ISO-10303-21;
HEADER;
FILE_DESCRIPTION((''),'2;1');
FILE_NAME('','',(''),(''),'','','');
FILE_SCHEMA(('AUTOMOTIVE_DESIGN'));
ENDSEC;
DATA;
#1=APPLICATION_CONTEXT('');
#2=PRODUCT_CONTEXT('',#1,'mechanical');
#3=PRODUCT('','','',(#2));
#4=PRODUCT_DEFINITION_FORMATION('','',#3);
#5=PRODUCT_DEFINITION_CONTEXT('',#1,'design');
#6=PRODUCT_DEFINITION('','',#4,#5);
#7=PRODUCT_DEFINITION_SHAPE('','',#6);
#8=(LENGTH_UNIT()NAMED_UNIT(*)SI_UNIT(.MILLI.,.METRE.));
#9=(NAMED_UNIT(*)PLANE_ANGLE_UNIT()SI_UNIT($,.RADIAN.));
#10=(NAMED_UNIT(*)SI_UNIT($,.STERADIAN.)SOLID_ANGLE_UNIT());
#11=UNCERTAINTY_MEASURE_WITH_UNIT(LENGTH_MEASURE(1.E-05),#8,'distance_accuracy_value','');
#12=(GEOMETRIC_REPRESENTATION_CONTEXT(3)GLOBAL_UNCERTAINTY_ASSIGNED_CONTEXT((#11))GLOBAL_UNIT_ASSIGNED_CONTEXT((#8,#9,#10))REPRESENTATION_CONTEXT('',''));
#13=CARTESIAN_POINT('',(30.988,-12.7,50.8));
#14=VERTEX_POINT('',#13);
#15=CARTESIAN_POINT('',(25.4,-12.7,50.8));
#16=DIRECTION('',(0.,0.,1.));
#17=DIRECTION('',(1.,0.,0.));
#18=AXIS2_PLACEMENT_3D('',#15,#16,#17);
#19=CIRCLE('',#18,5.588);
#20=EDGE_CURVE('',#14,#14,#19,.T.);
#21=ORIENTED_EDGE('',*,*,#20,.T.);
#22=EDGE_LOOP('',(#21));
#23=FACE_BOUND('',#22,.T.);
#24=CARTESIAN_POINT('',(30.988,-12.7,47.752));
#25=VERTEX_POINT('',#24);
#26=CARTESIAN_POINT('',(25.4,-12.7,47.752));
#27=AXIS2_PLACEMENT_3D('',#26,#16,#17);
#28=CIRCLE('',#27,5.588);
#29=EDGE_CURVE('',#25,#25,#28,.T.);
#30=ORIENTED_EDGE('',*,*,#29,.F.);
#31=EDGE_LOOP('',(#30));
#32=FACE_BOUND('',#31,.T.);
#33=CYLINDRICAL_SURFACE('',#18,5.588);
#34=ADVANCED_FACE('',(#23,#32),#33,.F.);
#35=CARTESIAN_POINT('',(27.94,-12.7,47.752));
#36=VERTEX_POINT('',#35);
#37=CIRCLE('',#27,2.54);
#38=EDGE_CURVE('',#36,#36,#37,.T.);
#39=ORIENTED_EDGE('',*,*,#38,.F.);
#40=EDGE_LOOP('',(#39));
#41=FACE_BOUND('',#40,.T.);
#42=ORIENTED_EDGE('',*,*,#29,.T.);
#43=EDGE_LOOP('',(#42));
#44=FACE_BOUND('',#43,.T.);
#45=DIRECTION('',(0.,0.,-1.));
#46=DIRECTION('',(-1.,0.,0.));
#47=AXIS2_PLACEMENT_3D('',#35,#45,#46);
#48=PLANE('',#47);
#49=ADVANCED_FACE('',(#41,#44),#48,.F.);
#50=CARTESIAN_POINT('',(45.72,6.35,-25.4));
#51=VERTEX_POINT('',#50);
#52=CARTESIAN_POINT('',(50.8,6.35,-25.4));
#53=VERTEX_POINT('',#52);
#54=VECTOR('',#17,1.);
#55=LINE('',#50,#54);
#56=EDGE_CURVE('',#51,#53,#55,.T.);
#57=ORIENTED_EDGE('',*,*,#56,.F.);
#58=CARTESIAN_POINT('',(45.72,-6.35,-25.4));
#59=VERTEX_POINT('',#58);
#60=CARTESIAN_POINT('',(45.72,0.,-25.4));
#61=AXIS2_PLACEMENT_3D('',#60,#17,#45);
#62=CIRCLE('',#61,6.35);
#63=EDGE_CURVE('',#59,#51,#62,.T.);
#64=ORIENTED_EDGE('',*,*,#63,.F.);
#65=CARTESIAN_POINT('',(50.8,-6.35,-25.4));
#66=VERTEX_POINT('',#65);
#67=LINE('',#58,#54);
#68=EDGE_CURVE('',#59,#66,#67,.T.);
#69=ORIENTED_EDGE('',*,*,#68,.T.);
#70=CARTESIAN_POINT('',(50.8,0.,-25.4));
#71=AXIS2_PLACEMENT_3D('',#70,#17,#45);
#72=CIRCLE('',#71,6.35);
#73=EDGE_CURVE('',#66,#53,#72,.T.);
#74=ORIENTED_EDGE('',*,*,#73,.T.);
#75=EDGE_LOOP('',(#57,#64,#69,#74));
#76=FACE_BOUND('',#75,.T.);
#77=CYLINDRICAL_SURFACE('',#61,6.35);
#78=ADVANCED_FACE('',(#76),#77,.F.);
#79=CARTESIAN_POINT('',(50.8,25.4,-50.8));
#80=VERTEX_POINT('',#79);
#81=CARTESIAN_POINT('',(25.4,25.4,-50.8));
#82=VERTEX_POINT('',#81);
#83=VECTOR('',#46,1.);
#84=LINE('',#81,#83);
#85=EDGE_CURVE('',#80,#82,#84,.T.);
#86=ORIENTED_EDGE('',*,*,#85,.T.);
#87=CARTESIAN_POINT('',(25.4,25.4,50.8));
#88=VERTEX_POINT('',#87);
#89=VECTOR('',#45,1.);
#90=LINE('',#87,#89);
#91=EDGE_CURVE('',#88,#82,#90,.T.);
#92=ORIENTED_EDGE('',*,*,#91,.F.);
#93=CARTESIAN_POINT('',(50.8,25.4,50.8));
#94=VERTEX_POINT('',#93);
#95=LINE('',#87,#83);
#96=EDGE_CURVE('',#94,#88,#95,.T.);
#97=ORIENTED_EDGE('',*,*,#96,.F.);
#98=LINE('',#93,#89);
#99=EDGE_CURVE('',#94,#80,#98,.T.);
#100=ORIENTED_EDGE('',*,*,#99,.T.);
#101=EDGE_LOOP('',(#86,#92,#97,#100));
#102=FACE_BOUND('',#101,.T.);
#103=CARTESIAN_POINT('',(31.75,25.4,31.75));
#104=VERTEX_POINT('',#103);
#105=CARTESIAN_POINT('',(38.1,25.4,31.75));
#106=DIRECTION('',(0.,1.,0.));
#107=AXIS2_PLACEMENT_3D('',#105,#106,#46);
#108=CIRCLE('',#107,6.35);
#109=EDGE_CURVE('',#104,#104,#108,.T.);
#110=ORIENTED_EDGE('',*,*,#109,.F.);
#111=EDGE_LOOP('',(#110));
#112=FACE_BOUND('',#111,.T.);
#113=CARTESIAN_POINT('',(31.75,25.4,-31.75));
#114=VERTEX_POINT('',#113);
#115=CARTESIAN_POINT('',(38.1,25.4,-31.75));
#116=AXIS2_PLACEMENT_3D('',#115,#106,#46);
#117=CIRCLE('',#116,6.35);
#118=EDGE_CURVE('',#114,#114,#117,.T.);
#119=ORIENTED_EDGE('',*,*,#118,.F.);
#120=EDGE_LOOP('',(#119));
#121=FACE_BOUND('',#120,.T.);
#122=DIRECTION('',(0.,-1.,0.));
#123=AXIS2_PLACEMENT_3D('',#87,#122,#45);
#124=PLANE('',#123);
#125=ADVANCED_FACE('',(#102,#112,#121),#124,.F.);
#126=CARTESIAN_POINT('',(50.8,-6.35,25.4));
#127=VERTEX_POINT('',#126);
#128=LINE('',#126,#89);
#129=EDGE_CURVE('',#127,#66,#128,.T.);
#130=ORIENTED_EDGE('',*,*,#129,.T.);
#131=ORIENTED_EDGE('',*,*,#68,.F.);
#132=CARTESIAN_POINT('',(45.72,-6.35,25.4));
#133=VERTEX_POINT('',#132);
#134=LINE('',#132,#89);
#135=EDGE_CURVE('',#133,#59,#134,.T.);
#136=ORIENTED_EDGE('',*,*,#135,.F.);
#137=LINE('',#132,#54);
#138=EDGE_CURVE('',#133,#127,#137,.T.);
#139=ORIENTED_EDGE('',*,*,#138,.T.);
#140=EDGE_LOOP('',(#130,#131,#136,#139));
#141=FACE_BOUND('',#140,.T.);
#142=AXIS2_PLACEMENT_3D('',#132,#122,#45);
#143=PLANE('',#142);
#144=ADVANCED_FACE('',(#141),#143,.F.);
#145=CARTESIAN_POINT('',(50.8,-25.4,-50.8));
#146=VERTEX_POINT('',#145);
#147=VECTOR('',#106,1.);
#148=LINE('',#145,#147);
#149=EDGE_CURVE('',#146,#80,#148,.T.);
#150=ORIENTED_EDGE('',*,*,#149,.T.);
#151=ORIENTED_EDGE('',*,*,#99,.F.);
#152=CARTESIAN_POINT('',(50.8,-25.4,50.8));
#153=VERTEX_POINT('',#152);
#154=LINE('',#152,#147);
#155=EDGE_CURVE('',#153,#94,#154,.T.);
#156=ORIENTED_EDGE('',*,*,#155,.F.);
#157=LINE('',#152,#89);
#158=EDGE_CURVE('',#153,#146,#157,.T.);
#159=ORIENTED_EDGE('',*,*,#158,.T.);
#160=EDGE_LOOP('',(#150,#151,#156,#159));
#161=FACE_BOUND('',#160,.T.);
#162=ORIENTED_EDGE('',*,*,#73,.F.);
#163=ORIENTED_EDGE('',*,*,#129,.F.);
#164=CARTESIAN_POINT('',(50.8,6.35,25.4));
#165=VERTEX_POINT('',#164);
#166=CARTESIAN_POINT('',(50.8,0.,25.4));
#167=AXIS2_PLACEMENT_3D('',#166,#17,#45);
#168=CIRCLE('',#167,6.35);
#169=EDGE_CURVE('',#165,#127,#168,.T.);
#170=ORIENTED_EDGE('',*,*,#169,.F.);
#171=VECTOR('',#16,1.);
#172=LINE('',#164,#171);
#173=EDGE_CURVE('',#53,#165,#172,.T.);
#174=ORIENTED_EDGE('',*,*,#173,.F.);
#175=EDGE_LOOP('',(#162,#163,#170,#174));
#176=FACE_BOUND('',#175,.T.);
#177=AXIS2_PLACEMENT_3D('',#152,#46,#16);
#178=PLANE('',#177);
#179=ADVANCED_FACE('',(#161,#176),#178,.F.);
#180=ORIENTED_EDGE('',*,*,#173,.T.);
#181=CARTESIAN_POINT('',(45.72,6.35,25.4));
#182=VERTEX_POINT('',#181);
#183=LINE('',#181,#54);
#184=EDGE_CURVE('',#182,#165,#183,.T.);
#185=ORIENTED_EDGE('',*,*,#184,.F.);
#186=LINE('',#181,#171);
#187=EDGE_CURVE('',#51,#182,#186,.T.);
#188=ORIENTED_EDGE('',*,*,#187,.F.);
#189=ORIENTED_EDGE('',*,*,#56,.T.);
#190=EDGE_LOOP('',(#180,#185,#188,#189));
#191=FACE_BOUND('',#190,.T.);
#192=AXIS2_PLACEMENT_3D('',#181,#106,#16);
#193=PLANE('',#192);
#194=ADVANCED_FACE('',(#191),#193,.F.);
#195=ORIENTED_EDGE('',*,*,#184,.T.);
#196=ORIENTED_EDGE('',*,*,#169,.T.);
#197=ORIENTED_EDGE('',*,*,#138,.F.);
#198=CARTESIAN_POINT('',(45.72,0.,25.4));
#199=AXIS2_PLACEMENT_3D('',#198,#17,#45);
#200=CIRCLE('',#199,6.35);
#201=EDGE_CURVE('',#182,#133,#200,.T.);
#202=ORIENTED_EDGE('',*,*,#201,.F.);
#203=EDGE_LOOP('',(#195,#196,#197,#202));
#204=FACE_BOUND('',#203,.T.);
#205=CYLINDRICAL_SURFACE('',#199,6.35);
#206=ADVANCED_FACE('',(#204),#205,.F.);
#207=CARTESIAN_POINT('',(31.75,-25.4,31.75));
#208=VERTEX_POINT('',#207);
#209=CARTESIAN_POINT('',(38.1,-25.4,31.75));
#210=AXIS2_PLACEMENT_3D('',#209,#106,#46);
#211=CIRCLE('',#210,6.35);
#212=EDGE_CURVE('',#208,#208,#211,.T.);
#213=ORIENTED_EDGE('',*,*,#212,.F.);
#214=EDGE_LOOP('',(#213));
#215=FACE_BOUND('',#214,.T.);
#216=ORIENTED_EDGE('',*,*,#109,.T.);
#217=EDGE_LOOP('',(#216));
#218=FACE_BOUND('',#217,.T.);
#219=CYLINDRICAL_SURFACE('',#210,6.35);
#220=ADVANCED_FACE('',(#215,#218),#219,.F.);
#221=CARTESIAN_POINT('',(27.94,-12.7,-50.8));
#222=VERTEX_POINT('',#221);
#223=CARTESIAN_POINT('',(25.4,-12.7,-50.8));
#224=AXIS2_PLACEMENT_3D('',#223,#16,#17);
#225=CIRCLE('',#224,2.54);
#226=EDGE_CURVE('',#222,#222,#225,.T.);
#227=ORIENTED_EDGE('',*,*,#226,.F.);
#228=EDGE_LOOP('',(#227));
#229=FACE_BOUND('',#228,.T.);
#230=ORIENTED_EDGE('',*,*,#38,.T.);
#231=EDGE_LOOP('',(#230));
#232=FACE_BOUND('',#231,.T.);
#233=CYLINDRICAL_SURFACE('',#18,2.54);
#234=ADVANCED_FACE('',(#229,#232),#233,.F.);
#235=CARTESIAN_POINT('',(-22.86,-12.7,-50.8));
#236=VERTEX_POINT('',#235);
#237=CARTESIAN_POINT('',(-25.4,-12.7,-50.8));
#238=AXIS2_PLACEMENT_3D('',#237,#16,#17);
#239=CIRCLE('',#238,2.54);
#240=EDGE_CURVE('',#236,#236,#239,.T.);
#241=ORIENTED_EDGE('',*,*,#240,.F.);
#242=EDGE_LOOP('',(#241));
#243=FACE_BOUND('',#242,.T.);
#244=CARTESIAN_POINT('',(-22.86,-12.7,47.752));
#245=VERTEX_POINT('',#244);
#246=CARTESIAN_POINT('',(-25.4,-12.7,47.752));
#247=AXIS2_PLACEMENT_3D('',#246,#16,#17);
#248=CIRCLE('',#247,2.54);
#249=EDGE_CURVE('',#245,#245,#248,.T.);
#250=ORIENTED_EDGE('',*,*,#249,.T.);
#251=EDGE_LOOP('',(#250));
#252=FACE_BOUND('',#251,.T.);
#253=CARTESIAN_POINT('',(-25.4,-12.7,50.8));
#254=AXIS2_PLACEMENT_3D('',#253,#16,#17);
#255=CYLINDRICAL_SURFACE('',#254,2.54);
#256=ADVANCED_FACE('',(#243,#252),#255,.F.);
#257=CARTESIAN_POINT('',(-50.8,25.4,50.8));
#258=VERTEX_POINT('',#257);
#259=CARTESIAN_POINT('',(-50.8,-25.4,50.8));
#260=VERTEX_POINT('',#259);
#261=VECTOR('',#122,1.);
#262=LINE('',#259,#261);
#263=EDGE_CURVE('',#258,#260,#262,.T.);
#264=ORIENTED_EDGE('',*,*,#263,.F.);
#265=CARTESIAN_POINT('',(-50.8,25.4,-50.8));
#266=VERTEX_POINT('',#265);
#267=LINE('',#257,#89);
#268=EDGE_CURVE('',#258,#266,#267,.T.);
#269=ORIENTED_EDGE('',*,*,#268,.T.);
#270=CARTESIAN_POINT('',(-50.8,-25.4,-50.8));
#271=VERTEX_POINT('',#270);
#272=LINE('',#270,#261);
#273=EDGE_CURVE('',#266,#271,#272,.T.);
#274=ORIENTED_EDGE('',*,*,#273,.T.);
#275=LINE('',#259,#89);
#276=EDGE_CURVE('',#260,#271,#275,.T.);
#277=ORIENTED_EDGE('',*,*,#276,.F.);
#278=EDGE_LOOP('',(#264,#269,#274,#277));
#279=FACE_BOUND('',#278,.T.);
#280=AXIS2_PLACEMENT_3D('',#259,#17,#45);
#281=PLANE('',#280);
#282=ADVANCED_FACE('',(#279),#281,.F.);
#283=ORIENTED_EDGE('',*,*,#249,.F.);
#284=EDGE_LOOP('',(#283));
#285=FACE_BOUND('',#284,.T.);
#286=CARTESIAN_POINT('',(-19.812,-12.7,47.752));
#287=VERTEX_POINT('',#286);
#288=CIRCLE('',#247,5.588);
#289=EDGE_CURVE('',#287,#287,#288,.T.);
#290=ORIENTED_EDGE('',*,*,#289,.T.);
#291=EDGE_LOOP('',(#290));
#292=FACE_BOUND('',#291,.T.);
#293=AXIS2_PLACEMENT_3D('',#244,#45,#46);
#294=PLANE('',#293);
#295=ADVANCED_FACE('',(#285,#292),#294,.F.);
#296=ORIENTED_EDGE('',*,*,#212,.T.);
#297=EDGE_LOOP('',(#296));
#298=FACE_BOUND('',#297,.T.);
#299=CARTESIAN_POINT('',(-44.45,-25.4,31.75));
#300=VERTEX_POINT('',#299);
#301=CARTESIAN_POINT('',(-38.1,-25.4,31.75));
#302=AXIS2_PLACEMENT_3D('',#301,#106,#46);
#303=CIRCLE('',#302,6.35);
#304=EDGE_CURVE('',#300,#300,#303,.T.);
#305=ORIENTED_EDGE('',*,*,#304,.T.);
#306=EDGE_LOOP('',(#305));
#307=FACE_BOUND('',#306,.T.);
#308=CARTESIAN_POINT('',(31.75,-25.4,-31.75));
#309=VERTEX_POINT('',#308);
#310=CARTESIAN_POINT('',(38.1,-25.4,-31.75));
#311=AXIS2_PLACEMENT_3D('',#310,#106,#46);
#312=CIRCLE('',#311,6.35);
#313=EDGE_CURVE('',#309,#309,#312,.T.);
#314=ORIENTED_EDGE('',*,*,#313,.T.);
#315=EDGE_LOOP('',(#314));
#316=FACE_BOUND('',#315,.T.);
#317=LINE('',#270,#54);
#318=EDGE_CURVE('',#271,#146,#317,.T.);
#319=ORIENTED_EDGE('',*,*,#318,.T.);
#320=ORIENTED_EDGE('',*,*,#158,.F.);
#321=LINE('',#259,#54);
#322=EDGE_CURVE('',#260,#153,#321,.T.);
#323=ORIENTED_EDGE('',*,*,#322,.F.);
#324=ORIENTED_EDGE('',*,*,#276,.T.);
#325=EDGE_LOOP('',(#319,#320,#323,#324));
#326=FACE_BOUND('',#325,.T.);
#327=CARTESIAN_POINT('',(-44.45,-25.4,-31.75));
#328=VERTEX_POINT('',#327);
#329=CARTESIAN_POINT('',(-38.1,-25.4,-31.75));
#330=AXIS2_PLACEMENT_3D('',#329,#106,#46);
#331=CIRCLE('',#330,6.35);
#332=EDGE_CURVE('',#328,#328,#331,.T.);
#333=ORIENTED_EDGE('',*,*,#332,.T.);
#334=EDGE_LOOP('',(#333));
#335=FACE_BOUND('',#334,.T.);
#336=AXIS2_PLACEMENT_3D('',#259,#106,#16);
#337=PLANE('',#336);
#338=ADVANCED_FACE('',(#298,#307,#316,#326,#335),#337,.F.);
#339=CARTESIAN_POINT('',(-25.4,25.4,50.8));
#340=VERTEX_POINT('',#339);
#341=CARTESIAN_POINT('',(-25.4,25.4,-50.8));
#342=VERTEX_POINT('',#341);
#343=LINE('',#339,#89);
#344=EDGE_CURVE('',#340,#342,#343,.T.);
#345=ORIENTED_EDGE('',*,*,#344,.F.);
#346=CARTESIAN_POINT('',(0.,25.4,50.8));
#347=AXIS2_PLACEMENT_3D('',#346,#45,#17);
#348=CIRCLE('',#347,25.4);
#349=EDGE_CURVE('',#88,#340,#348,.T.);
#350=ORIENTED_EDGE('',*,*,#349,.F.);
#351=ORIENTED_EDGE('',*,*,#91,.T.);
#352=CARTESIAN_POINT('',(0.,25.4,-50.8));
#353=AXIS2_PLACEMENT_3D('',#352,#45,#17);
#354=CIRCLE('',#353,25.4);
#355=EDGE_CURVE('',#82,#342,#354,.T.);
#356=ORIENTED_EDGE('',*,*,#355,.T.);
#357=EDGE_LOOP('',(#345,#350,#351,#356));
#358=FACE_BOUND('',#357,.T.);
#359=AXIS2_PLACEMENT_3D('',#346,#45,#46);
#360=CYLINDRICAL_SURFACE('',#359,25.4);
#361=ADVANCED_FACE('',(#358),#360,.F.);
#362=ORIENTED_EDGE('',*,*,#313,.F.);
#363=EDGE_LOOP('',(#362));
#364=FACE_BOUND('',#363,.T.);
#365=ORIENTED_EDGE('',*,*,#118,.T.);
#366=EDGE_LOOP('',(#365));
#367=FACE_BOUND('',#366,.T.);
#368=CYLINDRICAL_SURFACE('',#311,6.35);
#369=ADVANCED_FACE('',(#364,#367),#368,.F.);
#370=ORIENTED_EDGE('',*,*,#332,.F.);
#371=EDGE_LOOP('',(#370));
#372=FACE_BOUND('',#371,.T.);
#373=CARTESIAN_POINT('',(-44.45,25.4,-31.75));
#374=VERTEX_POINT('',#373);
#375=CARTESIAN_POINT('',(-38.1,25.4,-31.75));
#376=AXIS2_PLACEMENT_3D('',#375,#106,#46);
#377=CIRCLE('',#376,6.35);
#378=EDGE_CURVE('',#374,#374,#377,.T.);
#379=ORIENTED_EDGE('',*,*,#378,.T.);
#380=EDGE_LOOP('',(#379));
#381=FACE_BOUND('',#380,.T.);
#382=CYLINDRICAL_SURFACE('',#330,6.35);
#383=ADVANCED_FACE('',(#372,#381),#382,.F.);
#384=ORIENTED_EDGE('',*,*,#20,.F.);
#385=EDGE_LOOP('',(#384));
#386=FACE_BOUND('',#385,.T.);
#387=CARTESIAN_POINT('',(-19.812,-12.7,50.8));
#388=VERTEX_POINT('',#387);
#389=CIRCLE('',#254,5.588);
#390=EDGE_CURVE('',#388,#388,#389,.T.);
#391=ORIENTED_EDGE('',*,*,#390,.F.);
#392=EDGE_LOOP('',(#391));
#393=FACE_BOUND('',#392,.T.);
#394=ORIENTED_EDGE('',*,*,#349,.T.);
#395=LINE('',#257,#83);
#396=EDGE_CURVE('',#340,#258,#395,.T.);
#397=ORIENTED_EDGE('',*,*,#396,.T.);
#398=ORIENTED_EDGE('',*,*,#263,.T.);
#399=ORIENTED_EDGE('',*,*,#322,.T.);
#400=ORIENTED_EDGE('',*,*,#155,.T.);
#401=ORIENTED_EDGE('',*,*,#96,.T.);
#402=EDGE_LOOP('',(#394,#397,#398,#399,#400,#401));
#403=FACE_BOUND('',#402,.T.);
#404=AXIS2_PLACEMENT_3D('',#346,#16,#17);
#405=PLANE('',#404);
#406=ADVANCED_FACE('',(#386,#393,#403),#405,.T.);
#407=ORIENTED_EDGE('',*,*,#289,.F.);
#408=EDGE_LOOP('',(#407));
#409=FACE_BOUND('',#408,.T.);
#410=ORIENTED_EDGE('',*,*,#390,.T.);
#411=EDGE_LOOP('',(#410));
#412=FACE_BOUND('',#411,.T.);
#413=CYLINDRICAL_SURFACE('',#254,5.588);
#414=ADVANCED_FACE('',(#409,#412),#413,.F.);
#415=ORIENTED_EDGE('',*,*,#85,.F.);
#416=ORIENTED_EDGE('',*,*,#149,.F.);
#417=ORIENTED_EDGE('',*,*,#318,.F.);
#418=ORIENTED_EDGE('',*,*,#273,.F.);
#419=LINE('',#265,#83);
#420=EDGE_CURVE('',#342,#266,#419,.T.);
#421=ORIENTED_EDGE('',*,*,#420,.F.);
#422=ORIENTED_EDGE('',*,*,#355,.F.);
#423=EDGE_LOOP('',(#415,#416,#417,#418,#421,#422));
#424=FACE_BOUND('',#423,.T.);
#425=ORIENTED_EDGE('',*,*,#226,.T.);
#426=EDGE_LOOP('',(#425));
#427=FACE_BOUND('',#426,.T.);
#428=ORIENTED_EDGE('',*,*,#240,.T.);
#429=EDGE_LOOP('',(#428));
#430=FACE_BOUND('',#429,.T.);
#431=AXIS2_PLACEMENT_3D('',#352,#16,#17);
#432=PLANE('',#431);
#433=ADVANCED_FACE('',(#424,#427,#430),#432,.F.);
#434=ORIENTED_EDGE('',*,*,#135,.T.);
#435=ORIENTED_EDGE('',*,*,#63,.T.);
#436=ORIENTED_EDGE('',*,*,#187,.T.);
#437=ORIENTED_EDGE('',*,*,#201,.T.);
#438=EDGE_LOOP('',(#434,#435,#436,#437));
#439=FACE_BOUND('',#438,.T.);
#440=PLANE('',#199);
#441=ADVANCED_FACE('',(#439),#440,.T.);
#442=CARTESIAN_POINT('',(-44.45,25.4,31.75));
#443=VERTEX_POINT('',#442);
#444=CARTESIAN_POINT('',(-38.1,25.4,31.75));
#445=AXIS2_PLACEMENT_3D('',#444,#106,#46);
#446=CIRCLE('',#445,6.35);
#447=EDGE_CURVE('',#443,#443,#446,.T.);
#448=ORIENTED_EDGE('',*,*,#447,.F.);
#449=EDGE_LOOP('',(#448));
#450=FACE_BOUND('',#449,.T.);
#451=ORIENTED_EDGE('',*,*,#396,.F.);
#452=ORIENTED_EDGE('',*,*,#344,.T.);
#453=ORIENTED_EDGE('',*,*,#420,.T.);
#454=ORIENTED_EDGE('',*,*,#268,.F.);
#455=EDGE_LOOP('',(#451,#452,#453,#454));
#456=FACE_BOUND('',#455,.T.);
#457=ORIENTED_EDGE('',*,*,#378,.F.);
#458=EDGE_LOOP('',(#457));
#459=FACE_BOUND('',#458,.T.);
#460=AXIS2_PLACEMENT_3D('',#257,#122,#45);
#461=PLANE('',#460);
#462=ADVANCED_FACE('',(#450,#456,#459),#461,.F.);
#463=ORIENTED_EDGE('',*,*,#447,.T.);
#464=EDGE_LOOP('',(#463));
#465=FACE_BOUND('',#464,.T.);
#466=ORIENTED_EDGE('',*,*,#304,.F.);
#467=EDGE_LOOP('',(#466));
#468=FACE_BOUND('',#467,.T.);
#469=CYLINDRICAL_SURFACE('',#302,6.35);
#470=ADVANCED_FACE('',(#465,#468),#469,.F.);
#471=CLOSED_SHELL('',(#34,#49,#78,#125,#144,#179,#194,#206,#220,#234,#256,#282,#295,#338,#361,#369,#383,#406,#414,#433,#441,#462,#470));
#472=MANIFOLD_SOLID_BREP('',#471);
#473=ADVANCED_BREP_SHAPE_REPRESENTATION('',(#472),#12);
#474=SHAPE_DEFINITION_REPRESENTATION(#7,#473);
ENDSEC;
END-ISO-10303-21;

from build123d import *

# Parameters (mm, degrees)
BOSS_EXTRUDE1_DEPTH                                 = 50.8
SKETCH2_R                                           = 6.35
CUT_EXTRUDE1_DEPTH                                  = 51.8
LPATTERN1_COUNT                                     = 2
LPATTERN1_PITCH                                     = 76.2
LPATTERN1_COUNT_DIR2                                = 2
LPATTERN1_PITCH_DIR2                                = 63.5
CBORE_FOR_00_BINDING_HEAD_MACHINE_SCREW_D           = 5.08
CBORE_FOR_00_BINDING_HEAD_MACHINE_SCREW_CBORE_D     = 11.176
CBORE_FOR_00_BINDING_HEAD_MACHINE_SCREW_CBORE_DEPTH = 3.048
CUT_EXTRUDE6_DEPTH                                  = 5.08


with BuildPart() as part:
    # Sketch1 → Boss-Extrude1 (new body, symmetric)
    with BuildSketch(Plane.XY):
        with BuildLine():
            Line((25.4, 25.4), (50.8, 25.4))
            Line((50.8, 25.4), (50.8, -25.4))
            Line((50.8, -25.4), (-50.8, -25.4))
            Line((-50.8, -25.4), (-50.8, 25.4))
            Line((-50.8, 25.4), (-25.4, 25.4))
            ThreePointArc((-25.4, 25.4), (0, 0), (25.4, 25.4))
        make_face()
    extrude(amount=BOSS_EXTRUDE1_DEPTH, both=True)

    # Sketch2 → Cut-Extrude1 (cut, through all)
    with BuildSketch(Plane(origin=(0, 25.4, 0), x_dir=(1, 0, 0), z_dir=(0, 1, 0))):
        with Locations((-38.1, 31.75)):
            Circle(SKETCH2_R)
    cut_extrude1 = extrude(amount=-CUT_EXTRUDE1_DEPTH, mode=Mode.SUBTRACT)

    # LPattern1: Cut-Extrude1 2 × 2
    with Locations(*[(i * LPATTERN1_PITCH, 0, j * LPATTERN1_PITCH_DIR2) for i in range(LPATTERN1_COUNT) for j in range(LPATTERN1_COUNT_DIR2) if (i, j) != (0, 0)]):
        add(cut_extrude1, mode=Mode.SUBTRACT)

    # CBORE for #00 Binding Head Machine Screw1 (through all)
    with Locations(Plane.XY.offset(50.8)):
        with Locations((-25.4, -12.7), (25.4, -12.7)):
            CounterBoreHole(CBORE_FOR_00_BINDING_HEAD_MACHINE_SCREW_D / 2, CBORE_FOR_00_BINDING_HEAD_MACHINE_SCREW_CBORE_D / 2, CBORE_FOR_00_BINDING_HEAD_MACHINE_SCREW_CBORE_DEPTH)

    # Sketch7 → Cut-Extrude6 (cut)
    with BuildSketch(Plane(origin=(50.8, 0, 0), x_dir=(0, 0, -1), z_dir=(1, 0, 0))):
        with BuildLine():
            Line((-25.4, 6.35), (25.4, 6.35))
            ThreePointArc((25.4, 6.35), (31.75, 0), (25.4, -6.35))
            Line((25.4, -6.35), (-25.4, -6.35))
            ThreePointArc((-25.4, -6.35), (-31.75, 0), (-25.4, 6.35))
        make_face()
    extrude(amount=-CUT_EXTRUDE6_DEPTH, mode=Mode.SUBTRACT)


solid = part.part
